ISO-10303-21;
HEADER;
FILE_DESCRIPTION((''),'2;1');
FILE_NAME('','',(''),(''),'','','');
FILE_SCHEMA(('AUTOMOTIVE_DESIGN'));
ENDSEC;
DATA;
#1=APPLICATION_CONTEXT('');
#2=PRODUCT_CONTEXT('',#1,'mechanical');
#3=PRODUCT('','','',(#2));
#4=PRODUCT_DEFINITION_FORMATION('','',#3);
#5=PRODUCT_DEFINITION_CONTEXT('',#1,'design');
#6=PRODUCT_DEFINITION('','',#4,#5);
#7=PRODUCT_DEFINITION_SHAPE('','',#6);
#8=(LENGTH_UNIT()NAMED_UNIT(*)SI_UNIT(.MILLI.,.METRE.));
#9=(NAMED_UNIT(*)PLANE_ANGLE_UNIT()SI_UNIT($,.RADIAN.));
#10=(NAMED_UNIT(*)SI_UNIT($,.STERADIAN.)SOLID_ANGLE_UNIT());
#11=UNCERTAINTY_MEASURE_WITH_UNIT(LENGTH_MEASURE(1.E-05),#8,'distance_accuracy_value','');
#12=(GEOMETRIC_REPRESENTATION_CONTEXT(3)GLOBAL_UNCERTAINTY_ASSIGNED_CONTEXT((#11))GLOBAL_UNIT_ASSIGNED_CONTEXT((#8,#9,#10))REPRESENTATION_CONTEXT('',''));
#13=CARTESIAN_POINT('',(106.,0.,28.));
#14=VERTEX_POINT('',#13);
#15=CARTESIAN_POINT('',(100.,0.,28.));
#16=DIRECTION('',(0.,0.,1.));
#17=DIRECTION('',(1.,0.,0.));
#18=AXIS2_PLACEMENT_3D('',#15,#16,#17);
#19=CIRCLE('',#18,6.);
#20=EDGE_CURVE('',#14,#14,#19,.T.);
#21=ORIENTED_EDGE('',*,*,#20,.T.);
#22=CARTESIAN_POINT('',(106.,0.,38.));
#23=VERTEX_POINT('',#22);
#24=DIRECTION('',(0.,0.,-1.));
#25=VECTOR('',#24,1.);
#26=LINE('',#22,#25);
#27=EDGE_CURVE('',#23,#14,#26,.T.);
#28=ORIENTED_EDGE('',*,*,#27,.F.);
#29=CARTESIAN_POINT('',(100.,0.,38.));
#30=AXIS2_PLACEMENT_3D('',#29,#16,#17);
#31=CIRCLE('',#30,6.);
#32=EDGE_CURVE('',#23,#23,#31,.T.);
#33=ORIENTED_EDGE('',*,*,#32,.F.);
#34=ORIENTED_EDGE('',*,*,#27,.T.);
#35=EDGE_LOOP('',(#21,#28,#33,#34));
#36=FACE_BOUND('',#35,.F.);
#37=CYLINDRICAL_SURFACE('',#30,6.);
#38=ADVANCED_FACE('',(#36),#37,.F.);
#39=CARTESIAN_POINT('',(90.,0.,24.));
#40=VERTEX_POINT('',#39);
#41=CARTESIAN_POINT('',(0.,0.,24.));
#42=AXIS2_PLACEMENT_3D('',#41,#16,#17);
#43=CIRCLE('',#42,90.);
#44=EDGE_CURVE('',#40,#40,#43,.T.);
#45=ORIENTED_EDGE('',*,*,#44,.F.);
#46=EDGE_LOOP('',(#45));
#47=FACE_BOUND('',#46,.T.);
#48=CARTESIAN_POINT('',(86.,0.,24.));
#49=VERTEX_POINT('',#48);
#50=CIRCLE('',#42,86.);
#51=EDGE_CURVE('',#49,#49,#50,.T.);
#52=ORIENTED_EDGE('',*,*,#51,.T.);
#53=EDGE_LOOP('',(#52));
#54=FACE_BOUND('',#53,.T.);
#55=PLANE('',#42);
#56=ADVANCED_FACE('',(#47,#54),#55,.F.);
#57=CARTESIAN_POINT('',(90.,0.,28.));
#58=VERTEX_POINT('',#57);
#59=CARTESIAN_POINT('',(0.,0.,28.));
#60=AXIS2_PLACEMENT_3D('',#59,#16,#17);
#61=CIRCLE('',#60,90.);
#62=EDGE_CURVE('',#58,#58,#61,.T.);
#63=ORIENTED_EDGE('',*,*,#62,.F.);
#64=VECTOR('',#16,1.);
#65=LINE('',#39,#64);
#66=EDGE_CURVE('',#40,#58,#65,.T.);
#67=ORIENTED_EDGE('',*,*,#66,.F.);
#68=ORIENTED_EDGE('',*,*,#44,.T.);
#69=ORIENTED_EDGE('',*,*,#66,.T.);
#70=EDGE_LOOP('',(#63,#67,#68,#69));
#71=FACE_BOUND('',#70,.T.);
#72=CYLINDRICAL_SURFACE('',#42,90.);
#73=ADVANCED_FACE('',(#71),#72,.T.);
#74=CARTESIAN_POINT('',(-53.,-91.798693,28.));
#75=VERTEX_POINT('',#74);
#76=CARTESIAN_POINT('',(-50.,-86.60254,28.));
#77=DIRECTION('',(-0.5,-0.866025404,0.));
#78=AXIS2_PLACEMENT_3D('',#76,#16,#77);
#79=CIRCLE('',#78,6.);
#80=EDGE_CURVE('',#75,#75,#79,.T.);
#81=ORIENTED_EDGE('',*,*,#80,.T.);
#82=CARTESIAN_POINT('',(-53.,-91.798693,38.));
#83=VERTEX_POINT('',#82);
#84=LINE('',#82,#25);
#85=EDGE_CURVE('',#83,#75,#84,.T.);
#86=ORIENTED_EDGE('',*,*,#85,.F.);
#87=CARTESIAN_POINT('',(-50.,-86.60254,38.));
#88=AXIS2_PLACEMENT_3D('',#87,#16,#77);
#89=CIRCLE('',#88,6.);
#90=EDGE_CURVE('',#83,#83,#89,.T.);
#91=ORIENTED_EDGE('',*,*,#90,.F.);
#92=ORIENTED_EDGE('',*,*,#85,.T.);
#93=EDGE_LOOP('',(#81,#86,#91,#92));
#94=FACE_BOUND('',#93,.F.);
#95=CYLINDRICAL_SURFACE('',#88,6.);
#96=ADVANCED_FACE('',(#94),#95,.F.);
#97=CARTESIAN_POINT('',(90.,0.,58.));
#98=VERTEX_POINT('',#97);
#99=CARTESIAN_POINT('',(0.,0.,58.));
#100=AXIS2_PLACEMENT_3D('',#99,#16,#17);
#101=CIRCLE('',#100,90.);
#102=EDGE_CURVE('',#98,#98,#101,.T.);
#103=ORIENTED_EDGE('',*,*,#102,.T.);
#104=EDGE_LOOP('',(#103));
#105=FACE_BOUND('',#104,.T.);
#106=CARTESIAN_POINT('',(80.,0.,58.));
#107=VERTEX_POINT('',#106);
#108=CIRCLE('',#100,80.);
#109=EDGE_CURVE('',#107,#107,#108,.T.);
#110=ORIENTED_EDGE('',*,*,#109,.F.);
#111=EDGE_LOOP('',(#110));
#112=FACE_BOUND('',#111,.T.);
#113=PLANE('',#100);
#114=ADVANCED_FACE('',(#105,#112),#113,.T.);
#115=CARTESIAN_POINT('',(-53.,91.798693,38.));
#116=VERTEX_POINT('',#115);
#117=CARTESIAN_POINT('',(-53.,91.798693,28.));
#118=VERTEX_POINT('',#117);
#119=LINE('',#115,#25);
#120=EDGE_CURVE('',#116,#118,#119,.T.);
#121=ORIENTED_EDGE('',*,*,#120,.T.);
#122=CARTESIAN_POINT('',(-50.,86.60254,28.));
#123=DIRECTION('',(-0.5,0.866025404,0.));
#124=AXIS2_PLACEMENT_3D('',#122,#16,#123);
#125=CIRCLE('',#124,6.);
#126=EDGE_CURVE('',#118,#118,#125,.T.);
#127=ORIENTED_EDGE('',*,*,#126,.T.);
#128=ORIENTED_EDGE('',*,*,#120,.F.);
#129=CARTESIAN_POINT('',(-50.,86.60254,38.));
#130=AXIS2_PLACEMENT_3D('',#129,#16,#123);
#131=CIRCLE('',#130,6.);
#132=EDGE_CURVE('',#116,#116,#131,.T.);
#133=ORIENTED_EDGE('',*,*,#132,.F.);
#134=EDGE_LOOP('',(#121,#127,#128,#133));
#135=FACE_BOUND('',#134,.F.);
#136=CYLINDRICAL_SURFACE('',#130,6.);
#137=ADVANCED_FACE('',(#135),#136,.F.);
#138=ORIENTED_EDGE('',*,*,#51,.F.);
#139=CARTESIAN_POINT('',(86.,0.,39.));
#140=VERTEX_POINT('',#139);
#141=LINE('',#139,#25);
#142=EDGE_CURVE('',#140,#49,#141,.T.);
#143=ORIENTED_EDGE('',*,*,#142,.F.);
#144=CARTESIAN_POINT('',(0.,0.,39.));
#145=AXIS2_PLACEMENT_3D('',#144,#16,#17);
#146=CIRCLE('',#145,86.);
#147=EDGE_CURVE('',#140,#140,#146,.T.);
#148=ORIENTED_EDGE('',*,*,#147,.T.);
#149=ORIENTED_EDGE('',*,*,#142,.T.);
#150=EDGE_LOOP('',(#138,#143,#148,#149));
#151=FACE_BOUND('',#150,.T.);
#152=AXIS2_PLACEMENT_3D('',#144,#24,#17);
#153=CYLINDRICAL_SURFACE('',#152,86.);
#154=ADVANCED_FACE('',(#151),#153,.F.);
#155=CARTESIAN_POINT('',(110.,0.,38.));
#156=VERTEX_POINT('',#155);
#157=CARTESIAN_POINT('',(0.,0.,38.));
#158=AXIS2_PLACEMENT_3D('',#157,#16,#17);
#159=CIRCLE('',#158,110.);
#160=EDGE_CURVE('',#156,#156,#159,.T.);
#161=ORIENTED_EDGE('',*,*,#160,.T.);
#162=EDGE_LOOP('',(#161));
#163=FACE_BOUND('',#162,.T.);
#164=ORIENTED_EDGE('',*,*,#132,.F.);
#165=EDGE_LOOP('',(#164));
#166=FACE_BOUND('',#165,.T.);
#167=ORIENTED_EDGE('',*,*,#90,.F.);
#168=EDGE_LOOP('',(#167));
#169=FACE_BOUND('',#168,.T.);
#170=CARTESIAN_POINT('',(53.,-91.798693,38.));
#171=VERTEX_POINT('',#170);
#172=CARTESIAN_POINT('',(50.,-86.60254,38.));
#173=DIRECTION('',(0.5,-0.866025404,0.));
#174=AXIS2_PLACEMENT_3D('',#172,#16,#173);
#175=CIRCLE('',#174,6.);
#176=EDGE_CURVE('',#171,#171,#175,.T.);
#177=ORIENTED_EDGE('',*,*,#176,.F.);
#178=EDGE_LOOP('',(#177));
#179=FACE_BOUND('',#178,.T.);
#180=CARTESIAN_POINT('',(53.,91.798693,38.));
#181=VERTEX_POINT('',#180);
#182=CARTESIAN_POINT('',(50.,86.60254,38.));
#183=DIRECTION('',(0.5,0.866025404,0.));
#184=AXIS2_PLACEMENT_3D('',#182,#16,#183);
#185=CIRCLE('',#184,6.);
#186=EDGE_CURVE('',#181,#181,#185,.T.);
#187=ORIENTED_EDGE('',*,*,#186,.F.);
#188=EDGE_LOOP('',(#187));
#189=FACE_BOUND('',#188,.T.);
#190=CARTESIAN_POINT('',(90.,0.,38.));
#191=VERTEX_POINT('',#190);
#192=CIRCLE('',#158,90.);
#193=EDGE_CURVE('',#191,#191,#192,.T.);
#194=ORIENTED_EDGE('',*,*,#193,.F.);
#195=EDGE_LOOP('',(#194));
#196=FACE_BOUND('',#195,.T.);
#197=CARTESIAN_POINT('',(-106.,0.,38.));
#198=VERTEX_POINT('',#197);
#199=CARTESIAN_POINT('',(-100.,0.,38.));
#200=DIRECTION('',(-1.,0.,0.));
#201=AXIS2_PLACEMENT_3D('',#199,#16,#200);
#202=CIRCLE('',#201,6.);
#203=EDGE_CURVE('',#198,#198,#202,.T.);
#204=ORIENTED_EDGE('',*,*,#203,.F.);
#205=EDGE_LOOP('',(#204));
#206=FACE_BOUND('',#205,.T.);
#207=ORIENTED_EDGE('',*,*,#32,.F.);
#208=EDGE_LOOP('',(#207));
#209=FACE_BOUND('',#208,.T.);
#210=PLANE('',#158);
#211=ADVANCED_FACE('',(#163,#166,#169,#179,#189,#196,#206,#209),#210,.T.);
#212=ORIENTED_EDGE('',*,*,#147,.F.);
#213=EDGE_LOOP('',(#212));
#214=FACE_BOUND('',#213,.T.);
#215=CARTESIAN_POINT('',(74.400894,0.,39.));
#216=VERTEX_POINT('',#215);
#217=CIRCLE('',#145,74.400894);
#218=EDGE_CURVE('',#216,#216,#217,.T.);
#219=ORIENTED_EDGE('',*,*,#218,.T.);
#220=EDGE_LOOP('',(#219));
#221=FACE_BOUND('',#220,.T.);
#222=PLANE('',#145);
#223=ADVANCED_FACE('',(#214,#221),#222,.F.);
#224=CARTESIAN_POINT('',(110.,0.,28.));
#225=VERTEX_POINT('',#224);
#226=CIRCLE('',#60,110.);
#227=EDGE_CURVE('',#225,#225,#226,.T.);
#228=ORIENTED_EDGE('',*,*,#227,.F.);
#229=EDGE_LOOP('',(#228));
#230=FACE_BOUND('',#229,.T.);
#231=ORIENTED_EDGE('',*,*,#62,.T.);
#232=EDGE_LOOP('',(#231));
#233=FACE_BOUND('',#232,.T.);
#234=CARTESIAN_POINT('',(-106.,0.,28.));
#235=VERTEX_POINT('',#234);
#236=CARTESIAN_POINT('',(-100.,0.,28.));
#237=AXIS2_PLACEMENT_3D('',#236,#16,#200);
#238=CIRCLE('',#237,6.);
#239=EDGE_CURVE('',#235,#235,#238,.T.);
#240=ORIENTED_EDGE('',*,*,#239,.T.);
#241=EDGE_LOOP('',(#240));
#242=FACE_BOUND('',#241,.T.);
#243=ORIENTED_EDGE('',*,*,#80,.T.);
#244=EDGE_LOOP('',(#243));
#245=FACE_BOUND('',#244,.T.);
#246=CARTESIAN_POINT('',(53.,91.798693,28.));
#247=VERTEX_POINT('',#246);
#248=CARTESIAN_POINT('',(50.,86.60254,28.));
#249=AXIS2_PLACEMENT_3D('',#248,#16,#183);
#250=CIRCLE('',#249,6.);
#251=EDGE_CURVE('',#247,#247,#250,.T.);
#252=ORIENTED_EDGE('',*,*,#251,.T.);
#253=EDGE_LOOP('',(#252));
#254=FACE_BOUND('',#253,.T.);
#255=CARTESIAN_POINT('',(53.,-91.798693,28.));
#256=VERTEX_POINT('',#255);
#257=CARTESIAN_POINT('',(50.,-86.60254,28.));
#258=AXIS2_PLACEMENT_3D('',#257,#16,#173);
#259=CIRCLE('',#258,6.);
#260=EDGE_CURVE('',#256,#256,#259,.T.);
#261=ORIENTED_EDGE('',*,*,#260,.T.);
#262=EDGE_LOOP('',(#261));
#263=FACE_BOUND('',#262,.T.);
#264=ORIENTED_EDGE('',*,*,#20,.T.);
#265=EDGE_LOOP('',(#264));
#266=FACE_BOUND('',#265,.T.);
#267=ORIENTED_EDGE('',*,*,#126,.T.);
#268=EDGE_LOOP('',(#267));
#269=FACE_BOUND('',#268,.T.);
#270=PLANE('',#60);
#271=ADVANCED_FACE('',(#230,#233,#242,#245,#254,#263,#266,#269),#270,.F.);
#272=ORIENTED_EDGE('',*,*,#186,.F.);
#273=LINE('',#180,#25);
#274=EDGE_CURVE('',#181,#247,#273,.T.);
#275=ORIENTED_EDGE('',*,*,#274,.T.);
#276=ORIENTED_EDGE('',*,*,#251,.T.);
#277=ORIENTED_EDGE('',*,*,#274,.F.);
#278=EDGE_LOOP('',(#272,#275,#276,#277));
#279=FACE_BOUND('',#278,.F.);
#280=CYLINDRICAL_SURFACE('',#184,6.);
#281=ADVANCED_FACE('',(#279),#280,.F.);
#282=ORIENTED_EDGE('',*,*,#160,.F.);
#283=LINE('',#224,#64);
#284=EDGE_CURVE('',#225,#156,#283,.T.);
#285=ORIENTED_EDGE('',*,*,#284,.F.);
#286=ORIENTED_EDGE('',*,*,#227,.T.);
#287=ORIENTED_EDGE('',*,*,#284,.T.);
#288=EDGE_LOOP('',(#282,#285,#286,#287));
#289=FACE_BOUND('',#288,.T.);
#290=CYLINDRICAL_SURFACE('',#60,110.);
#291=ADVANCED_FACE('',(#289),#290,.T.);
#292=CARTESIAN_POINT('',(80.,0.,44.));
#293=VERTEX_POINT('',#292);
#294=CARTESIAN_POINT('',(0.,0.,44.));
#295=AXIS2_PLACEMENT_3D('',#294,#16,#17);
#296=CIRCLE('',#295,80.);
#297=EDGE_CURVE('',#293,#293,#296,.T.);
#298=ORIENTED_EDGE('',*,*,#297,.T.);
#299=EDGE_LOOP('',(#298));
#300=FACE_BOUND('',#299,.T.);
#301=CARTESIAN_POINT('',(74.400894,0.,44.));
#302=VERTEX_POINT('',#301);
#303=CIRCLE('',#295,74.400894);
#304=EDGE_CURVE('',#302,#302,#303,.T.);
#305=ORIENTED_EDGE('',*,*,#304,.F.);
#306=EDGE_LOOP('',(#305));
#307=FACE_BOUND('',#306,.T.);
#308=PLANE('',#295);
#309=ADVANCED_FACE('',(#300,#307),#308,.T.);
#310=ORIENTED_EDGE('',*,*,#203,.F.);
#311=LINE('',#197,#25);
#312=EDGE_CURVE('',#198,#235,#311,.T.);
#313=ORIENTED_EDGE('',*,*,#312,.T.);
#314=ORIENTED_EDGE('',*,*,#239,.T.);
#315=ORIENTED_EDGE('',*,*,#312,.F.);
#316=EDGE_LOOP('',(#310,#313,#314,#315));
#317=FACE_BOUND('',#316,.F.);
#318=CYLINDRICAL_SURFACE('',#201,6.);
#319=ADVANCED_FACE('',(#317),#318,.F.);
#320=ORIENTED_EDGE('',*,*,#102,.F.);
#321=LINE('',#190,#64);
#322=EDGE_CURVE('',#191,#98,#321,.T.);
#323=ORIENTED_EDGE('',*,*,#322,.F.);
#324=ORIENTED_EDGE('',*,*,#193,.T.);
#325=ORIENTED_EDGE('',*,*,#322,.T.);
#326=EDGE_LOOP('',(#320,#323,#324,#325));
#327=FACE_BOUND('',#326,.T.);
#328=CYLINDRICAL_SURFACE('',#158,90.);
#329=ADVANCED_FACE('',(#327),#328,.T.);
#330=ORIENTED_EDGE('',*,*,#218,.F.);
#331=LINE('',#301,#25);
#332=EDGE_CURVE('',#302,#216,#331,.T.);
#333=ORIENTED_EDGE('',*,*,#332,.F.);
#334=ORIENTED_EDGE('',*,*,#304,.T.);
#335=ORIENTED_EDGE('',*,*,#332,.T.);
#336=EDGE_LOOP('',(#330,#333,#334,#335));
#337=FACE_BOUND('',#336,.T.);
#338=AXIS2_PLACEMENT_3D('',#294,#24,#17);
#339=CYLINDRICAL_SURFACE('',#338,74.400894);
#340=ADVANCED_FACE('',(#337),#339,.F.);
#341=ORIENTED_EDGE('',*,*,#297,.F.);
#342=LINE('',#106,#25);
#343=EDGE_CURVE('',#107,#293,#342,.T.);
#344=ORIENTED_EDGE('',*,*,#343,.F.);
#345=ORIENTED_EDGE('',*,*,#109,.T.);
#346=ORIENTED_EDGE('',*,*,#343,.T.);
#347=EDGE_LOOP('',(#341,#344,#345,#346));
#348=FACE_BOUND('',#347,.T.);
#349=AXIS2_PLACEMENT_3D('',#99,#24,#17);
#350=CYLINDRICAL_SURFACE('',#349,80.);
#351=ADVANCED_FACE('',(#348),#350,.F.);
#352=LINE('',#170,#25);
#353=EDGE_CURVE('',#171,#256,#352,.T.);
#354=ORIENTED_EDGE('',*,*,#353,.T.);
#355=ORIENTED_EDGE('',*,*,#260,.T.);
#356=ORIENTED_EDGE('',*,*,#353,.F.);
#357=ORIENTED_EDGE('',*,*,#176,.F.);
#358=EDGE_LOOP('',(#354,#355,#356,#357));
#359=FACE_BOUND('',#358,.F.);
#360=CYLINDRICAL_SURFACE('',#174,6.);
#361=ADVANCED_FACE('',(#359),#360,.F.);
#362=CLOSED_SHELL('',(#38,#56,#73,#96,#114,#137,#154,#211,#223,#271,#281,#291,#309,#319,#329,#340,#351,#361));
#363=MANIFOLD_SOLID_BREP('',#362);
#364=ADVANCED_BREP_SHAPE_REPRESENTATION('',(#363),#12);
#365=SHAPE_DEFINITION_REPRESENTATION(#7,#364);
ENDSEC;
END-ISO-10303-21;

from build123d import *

# Parameters (mm, degrees)
SKETCH004_R        = 6
POCKET_DEPTH       = 639.959465
POLARPATTERN_COUNT = 6


with BuildPart() as part:
    # Sketch002 → Revolution003 (revolve)
    with BuildSketch(Plane.XZ):
        Polygon((90, 28), (110, 28), (110, 38), (90, 38), (90, 58), (80, 58), (80, 44), (74.400894, 44), (74.400894, 39), (86, 39), (86, 24), (90, 24), align=None)
    revolve(axis=Axis((0, 0, 0), (0, 0, 1)))

    # Sketch004 (on Face8 of Revolution003) → Pocket (cut, through all)
    with BuildSketch(Plane(origin=(0, 0, 38), x_dir=(-1, 0, 0), z_dir=(0, 0, 1))):
        with Locations((100, 0)):
            Circle(SKETCH004_R)
    pocket = extrude(amount=-POCKET_DEPTH, mode=Mode.SUBTRACT)

    # PolarPattern: Pocket ×6 about axis
    polarpattern_axis = Axis((0, 0, 38), (0, 0, 1))
    for i in range(1, POLARPATTERN_COUNT):
        add(pocket.rotate(polarpattern_axis, i * 360 / POLARPATTERN_COUNT), mode=Mode.SUBTRACT)


solid = part.part
